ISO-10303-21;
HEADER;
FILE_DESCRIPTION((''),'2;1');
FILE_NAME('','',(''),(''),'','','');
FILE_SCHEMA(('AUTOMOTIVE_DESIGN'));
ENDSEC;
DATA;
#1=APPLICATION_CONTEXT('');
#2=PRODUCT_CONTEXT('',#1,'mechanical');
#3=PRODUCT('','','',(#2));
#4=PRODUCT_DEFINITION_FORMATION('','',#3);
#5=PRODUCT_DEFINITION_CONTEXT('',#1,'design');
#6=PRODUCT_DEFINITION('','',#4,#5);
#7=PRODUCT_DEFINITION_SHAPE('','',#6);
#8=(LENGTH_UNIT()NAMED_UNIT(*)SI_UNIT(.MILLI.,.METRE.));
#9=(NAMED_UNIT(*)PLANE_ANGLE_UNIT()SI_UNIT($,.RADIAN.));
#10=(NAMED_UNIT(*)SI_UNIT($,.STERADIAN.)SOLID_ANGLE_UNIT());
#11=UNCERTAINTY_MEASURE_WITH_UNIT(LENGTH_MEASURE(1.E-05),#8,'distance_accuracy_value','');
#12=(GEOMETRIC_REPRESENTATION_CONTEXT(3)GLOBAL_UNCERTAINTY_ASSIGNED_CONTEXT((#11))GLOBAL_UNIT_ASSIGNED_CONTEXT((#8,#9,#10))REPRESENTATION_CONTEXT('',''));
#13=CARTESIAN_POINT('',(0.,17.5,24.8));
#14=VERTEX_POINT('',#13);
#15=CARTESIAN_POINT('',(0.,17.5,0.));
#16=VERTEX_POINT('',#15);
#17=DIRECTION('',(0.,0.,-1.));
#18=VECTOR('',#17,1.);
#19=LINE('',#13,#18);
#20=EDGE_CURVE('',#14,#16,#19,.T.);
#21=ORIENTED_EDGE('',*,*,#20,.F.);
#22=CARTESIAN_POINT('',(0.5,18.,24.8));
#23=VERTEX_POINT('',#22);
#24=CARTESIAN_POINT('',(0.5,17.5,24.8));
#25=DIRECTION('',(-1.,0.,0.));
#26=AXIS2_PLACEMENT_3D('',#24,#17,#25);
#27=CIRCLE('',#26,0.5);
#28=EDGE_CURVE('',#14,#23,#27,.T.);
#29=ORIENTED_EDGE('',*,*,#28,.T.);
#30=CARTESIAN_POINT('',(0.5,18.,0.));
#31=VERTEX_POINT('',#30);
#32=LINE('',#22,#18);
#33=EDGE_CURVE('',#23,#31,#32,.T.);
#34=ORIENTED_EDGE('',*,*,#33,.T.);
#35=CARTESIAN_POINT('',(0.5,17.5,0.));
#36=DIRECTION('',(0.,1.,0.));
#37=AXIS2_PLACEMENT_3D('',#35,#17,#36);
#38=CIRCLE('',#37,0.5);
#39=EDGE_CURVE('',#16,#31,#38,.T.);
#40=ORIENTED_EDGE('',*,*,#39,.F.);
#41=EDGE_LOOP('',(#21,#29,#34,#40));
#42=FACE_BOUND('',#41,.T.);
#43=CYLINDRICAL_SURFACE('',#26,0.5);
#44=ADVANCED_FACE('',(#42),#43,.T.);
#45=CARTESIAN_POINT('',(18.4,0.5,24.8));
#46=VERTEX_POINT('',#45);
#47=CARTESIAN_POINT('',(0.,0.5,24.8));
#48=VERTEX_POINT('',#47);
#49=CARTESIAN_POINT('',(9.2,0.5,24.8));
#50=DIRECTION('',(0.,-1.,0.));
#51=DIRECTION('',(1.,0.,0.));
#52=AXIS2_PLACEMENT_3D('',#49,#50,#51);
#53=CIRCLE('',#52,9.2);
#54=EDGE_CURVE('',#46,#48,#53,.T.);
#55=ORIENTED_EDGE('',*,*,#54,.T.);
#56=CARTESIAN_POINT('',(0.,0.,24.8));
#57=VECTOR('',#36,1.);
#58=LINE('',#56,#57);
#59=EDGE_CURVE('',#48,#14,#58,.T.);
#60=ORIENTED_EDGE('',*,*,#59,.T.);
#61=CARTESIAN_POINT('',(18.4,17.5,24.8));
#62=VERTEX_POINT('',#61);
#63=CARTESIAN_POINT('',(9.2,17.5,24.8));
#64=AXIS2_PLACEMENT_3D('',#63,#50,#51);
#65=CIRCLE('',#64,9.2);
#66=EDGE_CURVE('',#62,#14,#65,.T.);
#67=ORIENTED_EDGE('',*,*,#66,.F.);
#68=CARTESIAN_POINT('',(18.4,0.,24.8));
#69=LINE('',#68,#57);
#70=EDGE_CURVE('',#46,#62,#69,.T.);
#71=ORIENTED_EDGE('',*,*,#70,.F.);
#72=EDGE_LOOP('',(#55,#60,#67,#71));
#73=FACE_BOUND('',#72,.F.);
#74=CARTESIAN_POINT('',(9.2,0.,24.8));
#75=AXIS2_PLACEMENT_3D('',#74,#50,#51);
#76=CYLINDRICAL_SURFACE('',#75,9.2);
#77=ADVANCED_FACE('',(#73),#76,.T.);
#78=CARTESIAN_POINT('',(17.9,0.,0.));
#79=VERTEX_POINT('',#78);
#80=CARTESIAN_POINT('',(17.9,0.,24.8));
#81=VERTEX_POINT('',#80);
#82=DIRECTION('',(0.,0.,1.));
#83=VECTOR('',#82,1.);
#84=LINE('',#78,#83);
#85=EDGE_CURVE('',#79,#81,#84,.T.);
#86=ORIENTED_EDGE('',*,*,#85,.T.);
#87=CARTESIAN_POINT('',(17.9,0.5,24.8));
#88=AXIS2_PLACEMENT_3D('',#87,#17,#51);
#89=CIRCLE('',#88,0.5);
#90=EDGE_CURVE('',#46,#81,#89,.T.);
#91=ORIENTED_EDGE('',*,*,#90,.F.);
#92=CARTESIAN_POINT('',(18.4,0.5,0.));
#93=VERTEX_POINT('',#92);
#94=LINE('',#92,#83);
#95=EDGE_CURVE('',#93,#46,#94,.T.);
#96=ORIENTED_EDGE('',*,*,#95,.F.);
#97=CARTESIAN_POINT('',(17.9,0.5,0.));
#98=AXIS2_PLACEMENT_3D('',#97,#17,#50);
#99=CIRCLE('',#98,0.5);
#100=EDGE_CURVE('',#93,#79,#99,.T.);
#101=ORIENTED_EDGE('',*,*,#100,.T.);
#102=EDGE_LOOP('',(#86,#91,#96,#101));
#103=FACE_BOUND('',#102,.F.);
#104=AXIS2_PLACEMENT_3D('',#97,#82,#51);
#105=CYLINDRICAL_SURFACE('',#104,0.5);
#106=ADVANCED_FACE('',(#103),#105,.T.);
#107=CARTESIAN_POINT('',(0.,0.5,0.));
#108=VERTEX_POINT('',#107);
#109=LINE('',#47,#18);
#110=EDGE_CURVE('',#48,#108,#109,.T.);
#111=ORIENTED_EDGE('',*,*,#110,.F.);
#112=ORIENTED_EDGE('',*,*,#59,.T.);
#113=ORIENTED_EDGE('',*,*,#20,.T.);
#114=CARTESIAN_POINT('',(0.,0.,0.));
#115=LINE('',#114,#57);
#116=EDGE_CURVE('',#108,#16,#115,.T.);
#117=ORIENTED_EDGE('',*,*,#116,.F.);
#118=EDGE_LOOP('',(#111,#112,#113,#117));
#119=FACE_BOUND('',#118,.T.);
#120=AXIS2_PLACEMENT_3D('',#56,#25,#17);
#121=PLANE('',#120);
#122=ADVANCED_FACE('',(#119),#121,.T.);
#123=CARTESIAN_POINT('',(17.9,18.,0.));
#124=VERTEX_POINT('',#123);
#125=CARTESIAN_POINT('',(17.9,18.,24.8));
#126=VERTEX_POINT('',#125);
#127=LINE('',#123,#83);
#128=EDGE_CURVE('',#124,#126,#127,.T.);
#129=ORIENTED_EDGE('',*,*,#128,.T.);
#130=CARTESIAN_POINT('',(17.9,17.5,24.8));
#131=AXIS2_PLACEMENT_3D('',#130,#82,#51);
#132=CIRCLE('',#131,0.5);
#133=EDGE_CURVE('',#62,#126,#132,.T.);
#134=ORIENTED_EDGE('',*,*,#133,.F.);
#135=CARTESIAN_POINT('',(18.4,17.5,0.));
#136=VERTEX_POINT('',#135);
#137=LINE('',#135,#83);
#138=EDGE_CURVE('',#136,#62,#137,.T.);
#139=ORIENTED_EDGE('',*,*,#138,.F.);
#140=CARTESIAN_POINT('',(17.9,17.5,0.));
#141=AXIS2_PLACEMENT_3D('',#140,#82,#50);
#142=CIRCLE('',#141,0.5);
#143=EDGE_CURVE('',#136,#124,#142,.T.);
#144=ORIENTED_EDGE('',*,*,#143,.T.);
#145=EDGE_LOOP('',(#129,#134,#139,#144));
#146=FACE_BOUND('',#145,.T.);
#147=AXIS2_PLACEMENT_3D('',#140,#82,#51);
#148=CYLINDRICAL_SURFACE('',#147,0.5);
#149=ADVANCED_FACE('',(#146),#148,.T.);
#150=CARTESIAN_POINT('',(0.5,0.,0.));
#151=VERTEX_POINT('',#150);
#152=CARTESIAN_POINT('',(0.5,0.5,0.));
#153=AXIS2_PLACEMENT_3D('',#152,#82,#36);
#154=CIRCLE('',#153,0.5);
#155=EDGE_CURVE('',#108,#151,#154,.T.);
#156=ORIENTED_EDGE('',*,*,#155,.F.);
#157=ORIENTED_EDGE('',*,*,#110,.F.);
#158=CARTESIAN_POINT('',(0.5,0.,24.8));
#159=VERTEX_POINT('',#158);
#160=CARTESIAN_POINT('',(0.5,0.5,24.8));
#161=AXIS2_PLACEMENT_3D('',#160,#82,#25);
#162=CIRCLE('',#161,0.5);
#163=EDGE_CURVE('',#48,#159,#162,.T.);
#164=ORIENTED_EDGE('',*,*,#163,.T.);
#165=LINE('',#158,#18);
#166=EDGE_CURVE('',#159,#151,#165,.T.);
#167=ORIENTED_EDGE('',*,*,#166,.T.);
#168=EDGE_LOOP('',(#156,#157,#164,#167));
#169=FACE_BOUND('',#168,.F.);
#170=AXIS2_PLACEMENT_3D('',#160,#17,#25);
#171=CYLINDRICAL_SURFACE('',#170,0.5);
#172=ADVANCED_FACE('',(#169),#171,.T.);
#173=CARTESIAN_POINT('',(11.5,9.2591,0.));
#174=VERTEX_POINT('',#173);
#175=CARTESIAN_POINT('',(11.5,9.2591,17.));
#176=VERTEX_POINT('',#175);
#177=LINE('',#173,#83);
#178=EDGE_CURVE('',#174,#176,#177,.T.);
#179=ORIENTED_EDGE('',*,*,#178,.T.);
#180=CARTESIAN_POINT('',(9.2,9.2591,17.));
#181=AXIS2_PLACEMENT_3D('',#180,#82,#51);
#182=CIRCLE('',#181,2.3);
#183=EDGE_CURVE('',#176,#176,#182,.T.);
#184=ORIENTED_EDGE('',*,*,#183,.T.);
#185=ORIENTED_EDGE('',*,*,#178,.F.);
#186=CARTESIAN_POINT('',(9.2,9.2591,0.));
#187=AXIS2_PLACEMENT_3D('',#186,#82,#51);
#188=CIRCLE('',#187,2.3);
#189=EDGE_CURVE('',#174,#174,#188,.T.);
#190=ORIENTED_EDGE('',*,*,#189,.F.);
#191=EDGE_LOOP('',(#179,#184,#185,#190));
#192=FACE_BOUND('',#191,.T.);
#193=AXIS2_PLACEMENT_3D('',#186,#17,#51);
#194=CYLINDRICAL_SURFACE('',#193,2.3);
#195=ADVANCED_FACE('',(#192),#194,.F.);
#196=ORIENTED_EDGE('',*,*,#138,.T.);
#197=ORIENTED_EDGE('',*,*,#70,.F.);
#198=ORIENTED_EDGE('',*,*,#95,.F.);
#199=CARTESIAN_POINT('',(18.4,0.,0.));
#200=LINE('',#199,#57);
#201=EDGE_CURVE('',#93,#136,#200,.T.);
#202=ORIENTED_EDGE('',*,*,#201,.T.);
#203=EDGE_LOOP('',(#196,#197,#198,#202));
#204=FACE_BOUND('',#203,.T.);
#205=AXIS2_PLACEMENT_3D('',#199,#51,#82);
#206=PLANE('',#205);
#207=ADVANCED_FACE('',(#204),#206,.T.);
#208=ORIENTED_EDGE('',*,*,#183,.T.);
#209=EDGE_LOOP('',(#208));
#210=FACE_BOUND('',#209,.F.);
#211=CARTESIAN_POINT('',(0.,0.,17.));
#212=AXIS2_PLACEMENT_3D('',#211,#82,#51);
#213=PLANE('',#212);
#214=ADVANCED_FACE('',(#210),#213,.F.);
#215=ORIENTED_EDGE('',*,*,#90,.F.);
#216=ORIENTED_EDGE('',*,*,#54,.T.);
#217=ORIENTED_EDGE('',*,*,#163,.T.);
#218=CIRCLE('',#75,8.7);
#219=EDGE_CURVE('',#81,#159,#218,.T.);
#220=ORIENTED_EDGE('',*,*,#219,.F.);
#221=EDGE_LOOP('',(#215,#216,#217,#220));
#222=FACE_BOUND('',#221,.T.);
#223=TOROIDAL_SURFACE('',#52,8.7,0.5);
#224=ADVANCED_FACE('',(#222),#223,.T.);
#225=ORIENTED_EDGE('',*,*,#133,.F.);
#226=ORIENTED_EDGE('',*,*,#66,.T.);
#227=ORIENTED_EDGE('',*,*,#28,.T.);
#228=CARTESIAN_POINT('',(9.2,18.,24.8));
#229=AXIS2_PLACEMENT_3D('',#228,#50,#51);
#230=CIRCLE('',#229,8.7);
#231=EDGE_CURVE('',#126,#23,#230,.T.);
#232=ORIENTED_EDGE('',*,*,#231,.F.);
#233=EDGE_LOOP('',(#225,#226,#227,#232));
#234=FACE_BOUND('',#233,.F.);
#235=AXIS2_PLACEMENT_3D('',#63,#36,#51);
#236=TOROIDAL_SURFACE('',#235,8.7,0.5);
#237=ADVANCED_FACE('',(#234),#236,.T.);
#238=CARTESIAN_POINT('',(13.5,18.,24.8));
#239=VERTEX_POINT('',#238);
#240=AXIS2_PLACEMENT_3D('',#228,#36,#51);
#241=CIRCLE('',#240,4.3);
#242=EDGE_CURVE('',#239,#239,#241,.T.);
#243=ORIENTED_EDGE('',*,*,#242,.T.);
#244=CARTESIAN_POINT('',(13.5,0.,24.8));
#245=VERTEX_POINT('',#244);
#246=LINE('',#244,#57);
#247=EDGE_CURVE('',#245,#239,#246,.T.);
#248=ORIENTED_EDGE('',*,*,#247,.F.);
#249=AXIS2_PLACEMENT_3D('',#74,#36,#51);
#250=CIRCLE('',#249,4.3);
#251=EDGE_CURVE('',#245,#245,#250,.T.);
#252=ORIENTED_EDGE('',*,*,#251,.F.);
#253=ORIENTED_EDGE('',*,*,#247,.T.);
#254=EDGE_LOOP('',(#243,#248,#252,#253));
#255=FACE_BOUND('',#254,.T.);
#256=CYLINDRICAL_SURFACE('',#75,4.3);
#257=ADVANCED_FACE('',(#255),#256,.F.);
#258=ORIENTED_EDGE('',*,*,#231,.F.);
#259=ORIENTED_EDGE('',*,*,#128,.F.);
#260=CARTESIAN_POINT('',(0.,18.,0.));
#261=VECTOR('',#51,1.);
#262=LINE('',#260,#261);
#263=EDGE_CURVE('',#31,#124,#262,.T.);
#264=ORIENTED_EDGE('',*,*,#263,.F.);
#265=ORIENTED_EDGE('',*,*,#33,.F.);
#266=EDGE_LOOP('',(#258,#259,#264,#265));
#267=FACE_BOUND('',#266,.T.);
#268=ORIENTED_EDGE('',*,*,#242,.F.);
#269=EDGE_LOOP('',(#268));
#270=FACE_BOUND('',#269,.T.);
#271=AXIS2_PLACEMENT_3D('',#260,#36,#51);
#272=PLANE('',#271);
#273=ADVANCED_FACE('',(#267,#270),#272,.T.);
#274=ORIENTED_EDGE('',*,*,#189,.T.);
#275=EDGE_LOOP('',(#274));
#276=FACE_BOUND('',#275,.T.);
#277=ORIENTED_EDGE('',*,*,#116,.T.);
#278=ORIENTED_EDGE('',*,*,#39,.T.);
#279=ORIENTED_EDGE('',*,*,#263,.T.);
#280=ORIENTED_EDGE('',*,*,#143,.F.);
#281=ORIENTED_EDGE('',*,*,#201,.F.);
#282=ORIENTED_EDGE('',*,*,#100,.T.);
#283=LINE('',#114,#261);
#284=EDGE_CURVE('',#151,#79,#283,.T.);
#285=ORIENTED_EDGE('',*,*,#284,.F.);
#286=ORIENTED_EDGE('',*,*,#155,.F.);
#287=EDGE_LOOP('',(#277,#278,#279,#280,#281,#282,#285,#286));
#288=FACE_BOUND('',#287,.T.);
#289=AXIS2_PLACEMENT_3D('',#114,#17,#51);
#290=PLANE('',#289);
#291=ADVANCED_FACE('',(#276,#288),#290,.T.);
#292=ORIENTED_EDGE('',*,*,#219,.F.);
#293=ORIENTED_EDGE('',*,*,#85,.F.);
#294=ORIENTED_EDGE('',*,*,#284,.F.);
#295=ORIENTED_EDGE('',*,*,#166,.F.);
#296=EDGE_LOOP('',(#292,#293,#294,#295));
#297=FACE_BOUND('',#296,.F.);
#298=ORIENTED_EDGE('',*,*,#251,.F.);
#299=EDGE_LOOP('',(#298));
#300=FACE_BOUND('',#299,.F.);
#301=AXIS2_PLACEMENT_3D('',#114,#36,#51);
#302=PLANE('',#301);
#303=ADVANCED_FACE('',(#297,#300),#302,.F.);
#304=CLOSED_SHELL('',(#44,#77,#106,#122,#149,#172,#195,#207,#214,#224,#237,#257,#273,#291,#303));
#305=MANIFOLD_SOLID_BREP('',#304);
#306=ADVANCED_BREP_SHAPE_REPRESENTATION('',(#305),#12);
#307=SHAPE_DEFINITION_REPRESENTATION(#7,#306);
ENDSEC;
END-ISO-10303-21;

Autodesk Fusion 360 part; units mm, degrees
sketch "Sketch1" plane through (0, 0, 0) normal (0, 1, 0) x (1, 0, 0)
  line L0 (0, 0) -> (18.4, 0)
  line L1 (18.4, 0) -> (18.4, -34)
  line L2 (18.4, -34) -> (0, -34)
  line L3 (0, -34) -> (0, 0)
  circle A0 centre (9.2, -24.8) radius 9.2
  circle A1 centre (9.2, -24.8) radius 4.3
  dimension "d1" = 18.4
  dimension "d2" = 34
  dimension "d3" = 4.9
extrude "Extrude2" add sketch "Sketch1" along normal blind 18 contours L0 L1 L3 A0 | A0
fillet "Fillet1" radius 0.5 6 edges at (18.4, 0, 12.4) (9.2, 0, 34) (0, 0, 12.4) (0, 18, 12.4) (9.2, 18, 34) (18.4, 18, 12.4)
sketch "Sketch2" plane through (0, 0, 0) normal (0, 0, 1) x (1, 0, 0)
  line L0 (18.4, 0.5) -> (18.4, 17.5)
sketch "Sketch3" plane through (0, 0, 0) normal (0, 0, 1) x (1, 0, 0)
  circle A0 centre (9.2, 9.2591) radius 2.3
  dimension "d9" = 4.6
extrude "Extrude3" cut sketch "Sketch3" along normal blind 17
